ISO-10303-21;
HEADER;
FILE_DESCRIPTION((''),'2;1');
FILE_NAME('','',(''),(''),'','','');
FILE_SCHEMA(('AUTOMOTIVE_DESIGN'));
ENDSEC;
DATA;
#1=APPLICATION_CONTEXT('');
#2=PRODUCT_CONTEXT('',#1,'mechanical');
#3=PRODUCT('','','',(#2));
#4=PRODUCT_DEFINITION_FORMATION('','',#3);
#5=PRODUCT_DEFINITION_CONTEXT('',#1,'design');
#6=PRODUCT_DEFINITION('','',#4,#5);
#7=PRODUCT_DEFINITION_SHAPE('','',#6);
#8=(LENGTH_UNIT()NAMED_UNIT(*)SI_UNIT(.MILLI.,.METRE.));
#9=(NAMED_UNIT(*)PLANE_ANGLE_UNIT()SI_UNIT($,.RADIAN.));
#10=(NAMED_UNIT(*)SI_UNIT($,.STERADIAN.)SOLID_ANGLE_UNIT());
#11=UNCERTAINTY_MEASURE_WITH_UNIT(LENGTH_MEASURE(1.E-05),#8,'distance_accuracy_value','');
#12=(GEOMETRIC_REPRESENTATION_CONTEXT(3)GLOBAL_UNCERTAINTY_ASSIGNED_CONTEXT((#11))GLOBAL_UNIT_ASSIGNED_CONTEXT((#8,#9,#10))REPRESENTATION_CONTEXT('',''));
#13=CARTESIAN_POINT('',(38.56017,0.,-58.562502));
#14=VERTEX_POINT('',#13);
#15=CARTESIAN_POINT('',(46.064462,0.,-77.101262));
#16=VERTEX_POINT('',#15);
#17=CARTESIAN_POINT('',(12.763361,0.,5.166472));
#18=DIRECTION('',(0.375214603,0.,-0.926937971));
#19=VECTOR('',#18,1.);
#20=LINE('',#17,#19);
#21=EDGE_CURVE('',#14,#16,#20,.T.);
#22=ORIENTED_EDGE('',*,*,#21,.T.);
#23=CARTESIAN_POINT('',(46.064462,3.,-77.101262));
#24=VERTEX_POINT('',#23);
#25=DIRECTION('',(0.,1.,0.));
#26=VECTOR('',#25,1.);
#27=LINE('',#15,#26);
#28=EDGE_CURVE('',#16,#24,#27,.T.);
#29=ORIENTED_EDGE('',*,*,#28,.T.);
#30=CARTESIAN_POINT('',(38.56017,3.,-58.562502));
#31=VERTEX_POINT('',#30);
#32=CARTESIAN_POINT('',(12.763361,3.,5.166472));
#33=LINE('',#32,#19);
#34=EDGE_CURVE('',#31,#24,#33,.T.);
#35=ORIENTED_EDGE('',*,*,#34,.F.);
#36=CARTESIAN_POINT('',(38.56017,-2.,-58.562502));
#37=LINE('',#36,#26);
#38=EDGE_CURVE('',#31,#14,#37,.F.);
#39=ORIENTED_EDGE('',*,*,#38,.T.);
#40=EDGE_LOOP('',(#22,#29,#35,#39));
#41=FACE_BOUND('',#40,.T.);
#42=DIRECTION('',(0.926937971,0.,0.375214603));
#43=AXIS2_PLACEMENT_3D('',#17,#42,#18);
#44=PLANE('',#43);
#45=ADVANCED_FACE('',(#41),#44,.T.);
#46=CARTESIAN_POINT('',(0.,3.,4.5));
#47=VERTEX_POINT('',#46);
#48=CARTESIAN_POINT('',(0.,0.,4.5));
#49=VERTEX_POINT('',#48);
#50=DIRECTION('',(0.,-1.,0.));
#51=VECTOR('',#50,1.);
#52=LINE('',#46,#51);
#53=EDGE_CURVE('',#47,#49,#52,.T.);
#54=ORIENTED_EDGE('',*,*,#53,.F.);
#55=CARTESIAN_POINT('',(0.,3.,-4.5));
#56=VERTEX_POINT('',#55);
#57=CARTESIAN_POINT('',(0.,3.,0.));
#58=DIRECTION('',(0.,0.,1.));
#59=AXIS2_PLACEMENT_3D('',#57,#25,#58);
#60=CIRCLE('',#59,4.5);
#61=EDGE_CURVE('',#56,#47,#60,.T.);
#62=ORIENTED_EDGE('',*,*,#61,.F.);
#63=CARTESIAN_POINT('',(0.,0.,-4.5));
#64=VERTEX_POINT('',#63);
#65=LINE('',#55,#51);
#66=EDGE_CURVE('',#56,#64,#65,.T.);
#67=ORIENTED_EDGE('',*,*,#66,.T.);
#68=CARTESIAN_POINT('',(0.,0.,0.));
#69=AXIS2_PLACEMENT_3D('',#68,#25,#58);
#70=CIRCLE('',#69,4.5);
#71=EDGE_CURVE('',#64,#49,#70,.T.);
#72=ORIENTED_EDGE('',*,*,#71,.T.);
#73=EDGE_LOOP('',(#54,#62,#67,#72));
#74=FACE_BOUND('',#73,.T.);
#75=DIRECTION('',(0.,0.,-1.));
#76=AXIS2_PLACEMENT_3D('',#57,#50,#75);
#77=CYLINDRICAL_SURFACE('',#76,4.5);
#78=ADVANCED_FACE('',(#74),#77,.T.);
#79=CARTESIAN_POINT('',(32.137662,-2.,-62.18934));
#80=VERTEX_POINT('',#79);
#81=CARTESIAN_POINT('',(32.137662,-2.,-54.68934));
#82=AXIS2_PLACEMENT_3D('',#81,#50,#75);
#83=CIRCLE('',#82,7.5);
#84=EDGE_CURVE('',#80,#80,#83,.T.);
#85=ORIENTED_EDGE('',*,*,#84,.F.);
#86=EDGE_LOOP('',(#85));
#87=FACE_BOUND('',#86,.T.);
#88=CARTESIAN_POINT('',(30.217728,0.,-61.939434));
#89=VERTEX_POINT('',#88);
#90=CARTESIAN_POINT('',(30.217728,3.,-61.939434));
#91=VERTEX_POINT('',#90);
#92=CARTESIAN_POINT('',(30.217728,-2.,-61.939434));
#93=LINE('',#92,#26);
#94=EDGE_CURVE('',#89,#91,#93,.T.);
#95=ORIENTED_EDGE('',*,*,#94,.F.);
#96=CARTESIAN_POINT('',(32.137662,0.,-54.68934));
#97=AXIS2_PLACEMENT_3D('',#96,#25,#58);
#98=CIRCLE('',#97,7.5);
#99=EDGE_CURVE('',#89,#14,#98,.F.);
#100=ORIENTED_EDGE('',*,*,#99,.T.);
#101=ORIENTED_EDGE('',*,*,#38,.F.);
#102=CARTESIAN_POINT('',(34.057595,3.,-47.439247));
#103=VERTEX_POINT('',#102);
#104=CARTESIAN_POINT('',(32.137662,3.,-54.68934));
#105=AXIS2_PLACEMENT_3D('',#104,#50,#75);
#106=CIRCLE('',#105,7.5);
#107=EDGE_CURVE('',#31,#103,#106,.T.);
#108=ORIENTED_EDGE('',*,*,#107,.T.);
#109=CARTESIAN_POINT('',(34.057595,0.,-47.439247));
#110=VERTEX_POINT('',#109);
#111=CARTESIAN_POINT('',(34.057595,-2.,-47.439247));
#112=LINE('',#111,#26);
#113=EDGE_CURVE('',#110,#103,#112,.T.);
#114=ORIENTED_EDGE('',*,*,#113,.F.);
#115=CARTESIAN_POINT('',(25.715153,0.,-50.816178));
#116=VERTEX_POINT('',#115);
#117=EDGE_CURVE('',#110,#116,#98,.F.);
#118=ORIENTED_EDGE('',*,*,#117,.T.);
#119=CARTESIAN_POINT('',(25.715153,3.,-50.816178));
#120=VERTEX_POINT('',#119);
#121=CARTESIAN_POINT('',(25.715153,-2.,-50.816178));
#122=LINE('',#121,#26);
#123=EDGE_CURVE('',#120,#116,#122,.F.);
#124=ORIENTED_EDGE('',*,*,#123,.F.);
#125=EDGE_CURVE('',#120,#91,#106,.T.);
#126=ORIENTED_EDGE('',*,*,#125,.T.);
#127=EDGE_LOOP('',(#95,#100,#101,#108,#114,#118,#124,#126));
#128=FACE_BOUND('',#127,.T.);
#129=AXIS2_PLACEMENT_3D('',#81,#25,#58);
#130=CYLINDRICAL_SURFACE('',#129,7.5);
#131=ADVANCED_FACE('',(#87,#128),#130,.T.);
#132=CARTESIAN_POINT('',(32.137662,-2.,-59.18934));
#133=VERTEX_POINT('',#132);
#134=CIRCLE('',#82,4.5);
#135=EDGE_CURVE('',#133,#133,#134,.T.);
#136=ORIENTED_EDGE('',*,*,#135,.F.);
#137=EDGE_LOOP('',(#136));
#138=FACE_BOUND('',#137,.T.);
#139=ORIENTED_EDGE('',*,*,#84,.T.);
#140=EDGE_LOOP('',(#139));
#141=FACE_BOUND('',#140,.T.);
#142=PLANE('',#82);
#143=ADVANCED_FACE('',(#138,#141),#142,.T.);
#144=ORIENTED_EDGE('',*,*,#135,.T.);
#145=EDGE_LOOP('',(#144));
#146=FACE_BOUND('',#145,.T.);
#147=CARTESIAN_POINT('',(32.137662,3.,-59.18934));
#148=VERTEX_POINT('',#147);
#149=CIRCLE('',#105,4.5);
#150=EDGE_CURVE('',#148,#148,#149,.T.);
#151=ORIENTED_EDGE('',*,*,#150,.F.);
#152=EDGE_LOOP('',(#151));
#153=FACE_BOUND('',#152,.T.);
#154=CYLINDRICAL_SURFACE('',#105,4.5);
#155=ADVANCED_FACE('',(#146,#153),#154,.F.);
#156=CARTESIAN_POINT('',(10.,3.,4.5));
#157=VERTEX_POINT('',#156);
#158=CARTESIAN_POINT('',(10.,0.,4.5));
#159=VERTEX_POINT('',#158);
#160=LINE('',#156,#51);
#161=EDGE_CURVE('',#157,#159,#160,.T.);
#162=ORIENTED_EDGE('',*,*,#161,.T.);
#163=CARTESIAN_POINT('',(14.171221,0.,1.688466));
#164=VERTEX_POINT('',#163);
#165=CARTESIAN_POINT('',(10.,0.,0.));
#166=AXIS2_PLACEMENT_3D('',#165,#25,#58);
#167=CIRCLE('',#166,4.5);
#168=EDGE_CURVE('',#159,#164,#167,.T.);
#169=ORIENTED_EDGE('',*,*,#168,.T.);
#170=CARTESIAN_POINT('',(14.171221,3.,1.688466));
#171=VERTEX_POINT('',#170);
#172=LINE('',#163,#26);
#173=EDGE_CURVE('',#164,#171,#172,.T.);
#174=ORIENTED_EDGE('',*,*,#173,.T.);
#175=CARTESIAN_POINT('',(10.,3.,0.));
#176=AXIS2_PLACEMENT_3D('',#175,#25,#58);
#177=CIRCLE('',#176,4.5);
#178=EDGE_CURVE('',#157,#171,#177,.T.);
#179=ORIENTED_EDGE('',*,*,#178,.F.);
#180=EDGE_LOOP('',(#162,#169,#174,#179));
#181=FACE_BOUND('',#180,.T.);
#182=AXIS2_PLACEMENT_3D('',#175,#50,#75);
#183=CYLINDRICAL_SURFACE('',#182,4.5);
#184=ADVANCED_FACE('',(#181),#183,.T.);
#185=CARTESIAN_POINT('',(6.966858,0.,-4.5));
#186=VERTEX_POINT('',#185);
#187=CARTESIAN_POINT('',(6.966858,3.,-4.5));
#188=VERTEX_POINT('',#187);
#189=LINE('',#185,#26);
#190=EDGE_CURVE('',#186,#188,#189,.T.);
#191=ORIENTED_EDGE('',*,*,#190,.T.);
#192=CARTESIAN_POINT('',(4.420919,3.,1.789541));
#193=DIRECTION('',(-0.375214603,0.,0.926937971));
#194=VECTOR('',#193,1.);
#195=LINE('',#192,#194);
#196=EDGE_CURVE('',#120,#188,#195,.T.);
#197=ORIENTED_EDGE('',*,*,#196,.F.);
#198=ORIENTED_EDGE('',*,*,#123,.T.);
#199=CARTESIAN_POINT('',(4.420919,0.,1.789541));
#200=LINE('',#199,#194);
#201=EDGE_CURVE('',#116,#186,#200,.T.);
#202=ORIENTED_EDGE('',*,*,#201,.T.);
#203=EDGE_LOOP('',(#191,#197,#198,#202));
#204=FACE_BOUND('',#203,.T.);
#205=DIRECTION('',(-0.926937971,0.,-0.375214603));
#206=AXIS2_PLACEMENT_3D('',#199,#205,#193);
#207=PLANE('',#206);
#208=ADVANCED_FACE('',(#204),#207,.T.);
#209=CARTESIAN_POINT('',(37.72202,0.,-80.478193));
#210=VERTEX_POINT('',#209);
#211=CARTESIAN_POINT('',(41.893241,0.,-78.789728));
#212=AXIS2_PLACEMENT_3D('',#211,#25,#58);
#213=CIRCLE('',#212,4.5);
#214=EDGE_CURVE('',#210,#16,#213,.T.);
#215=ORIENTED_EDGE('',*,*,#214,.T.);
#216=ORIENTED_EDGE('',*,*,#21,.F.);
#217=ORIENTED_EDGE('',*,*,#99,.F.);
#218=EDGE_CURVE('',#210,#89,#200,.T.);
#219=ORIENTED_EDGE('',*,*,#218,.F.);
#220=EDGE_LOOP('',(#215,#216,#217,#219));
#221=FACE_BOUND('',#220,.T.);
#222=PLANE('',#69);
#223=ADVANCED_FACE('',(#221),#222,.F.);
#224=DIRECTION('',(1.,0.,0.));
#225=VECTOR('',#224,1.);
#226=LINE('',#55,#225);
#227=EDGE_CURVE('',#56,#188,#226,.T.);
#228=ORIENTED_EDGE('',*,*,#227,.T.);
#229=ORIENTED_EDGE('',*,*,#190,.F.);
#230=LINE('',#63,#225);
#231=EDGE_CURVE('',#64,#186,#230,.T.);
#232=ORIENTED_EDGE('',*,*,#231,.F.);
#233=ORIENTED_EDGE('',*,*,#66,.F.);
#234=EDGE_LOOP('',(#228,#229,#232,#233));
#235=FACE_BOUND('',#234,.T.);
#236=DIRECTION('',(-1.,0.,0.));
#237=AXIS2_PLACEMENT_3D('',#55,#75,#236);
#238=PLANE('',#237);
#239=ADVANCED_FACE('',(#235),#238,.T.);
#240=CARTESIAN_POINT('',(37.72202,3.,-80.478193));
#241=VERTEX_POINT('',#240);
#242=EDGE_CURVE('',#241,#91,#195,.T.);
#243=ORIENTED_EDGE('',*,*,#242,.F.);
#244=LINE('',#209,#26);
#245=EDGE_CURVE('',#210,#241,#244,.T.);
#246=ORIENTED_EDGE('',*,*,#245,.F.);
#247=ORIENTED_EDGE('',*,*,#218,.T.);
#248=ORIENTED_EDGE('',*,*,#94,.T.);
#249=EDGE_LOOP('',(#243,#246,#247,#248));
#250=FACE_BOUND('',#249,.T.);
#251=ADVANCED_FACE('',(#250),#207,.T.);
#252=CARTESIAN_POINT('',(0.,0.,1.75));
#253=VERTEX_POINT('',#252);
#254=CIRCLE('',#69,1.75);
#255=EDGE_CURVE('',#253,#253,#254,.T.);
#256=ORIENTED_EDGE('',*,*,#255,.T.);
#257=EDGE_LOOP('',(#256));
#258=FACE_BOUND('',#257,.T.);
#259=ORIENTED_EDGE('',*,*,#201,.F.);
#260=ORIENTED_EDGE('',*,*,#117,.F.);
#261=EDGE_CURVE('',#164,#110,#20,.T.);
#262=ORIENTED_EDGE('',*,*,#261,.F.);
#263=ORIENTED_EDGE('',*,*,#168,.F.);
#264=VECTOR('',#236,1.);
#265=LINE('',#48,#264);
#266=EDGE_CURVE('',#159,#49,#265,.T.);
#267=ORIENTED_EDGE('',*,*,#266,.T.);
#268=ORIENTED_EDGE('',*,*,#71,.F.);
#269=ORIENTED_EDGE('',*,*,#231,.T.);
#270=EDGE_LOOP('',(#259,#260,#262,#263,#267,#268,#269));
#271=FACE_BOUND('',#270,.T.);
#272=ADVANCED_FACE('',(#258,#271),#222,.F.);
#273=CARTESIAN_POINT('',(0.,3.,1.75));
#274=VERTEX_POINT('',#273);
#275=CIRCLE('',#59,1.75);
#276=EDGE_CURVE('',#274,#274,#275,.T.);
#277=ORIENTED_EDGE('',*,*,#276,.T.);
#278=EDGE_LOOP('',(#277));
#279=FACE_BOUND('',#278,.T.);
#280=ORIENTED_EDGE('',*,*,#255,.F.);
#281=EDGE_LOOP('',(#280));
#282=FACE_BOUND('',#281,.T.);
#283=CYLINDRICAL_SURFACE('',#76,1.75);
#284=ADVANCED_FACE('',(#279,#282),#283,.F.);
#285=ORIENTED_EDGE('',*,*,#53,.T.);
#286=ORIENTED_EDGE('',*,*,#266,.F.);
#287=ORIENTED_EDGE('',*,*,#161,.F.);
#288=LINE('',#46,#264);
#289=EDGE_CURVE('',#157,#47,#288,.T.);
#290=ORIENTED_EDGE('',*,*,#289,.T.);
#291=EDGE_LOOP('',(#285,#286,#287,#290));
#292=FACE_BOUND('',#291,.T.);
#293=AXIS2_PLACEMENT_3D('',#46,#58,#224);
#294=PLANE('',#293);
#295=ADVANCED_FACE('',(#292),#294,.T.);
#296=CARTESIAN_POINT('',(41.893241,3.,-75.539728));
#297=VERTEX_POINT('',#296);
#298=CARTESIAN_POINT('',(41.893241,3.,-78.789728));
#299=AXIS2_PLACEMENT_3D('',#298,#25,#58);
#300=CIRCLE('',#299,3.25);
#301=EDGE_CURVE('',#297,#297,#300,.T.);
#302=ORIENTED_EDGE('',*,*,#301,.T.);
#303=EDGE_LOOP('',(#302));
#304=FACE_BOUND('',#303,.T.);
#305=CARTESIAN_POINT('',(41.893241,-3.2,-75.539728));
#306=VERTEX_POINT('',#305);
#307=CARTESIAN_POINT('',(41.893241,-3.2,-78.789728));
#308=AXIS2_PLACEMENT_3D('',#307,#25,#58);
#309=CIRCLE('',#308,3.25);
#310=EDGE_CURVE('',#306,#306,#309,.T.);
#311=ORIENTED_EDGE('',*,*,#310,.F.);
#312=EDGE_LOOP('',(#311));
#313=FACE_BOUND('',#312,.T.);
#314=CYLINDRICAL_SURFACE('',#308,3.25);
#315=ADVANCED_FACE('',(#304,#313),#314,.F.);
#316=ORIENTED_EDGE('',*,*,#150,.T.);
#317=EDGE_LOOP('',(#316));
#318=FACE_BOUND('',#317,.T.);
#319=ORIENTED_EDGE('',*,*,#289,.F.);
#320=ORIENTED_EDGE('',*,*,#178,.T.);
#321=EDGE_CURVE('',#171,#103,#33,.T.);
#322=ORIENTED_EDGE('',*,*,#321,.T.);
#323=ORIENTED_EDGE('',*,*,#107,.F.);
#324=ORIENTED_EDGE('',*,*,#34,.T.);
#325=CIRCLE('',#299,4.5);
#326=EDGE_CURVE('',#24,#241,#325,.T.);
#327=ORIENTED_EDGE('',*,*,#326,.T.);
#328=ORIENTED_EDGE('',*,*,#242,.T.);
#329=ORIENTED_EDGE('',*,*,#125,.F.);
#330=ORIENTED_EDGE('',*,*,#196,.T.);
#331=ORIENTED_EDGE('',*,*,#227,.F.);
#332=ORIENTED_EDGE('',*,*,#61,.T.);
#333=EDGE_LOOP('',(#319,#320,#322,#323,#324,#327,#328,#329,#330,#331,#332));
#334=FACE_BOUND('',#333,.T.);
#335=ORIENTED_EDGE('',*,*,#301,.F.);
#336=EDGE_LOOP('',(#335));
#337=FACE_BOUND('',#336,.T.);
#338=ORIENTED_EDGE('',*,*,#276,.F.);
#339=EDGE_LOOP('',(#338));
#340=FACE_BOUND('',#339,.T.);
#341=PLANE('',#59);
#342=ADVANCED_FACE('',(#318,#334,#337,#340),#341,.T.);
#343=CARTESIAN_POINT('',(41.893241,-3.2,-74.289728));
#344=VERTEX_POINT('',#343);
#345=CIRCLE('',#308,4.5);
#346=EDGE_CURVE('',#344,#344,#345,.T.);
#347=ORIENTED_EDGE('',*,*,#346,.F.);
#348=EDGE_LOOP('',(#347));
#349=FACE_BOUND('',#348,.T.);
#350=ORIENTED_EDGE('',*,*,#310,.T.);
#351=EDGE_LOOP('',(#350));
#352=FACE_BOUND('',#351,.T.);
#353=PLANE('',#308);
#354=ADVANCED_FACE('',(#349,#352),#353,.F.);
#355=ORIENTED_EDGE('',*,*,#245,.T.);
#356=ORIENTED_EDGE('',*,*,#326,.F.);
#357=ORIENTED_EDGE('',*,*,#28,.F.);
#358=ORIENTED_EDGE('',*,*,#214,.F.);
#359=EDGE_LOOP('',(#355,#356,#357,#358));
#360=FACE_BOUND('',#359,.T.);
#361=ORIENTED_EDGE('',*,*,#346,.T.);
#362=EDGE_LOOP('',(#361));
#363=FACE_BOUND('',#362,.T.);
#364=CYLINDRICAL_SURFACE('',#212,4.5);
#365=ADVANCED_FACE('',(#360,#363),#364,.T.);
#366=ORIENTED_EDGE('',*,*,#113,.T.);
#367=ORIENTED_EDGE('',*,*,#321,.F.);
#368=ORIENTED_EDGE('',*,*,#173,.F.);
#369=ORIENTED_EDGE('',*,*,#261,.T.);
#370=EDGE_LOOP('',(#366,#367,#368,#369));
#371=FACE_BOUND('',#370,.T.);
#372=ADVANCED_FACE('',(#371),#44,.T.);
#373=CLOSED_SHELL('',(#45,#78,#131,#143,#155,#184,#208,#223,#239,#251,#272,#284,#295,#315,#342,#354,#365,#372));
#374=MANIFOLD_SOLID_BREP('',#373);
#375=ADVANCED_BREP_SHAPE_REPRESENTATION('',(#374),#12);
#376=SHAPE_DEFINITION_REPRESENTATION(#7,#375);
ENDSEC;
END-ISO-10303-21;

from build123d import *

# Parameters (mm, degrees)
SKETCH1_R                = 1.75
BOSS_EXTRUDE1_DEPTH      = 3
BOSS_EXTRUDE2_DEPTH      = 3
SKETCH3_R                = 4.5
SKETCH3_R_2              = 3.25
BOSS_EXTRUDE3_DEPTH      = 6.2
SKETCH4_R                = 3.25
CUT_EXTRUDE1_DEPTH       = 3
SKETCH5_R                = 7.5
BOSS_EXTRUDE4_DEPTH      = 2
BOSS_EXTRUDE4_DEPTH_BACK = 3
SKETCH6_R                = 4.5
CUT_EXTRUDE2_DEPTH       = 6


with BuildPart() as part:
    # Sketch1 → Boss-Extrude1 (new body)
    with BuildSketch(Plane(origin=(0, 0, 0), x_dir=(1, 0, 0), z_dir=(0, 1, 0))):
        with BuildLine():
            Line((0, -4.5), (10, -4.5))
            ThreePointArc((10, -4.5), (14.5, 0), (10, 4.5))
            Line((10, 4.5), (0, 4.5))
            ThreePointArc((0, 4.5), (-4.5, 0), (0, -4.5))
        make_face()
        Circle(SKETCH1_R, mode=Mode.SUBTRACT)
    extrude(amount=BOSS_EXTRUDE1_DEPTH)

    # Sketch2 → Boss-Extrude2 (add)
    with BuildSketch(Plane(origin=(0, 3, 0), x_dir=(1, 0, 0), z_dir=(0, 1, 0))):
        with BuildLine():
            Line((10, 0), (11.688465713, 4.171220869))
            ThreePointArc((11.688465713, 4.171220869), (10.860088975, 4.41704052), (10, 4.5))
            Line((10, 4.5), (6.96685822, 4.5))
            ThreePointArc((6.96685822, 4.5), (8.346615874, -1.181489024), (14.171220869, -1.688465713))
            Line((14.171220869, -1.688465713), (10, 0))
        make_face()
        with BuildLine():
            ThreePointArc((46.064462111, 77.10126181), (43.648814249, 74.646303405), (40.204775529, 74.618506654))
            Line((40.204775529, 74.618506654), (11.688465713, 4.171220869))
            ThreePointArc((11.688465713, 4.171220869), (14.143424118, 1.755573007), (14.171220869, -1.688465713))
            Line((14.171220869, -1.688465713), (46.064462111, 77.10126181))
        make_face()
        with BuildLine():
            ThreePointArc((14.171220869, -1.688465713), (14.143424118, 1.755573007), (11.688465713, 4.171220869))
            Line((11.688465713, 4.171220869), (10, 0))
            Line((10, 0), (14.171220869, -1.688465713))
        make_face()
        with BuildLine():
            Line((11.688465713, 4.171220869), (40.204775529, 74.618506654))
            ThreePointArc((40.204775529, 74.618506654), (37.749817124, 77.034154516), (37.722020373, 80.478193235))
            Line((37.722020373, 80.478193235), (6.96685822, 4.5))
            Line((6.96685822, 4.5), (10, 4.5))
            ThreePointArc((10, 4.5), (10.860088975, 4.41704052), (11.688465713, 4.171220869))
        make_face()
        with BuildLine():
            Line((37.722020373, 80.478193235), (41.893241242, 78.789727523))
            Line((41.893241242, 78.789727523), (46.064462111, 77.10126181))
            ThreePointArc((46.064462111, 77.10126181), (46.310281762, 77.929638548), (46.393241242, 78.789727523))
            ThreePointArc((46.393241242, 78.789727523), (42.753330217, 83.206768043), (37.722020373, 80.478193235))
        make_face()
        with BuildLine():
            Line((46.064462111, 77.10126181), (41.893241242, 78.789727523))
            Line((41.893241242, 78.789727523), (40.204775529, 74.618506654))
            ThreePointArc((40.204775529, 74.618506654), (43.648814249, 74.646303405), (46.064462111, 77.10126181))
        make_face()
        with BuildLine():
            Line((40.204775529, 74.618506654), (41.893241242, 78.789727523))
            Line((41.893241242, 78.789727523), (37.722020373, 80.478193235))
            ThreePointArc((37.722020373, 80.478193235), (37.749817124, 77.034154516), (40.204775529, 74.618506654))
        make_face()
    extrude(amount=-BOSS_EXTRUDE2_DEPTH)

    # Sketch3 → Boss-Extrude3 (add)
    with BuildSketch(Plane(origin=(0, 3, 0), x_dir=(1, 0, 0), z_dir=(0, 1, 0))):
        with Locations((41.893241242, 78.789727523)):
            Circle(SKETCH3_R)
        with Locations((41.893241242, 78.789727523)):
            Circle(SKETCH3_R_2, mode=Mode.SUBTRACT)
    extrude(amount=-BOSS_EXTRUDE3_DEPTH)

    # Sketch4 → Cut-Extrude1 (cut)
    with BuildSketch(Plane(origin=(0, 3, 0), x_dir=(1, 0, 0), z_dir=(0, 1, 0))):
        with Locations((41.893241242, 78.789727523)):
            Circle(SKETCH4_R)
    extrude(amount=-CUT_EXTRUDE1_DEPTH, mode=Mode.SUBTRACT)

    # Sketch5 → Boss-Extrude4 (add, two sides)
    with BuildSketch(Plane.XZ) as boss_extrude4_sk:
        with Locations((32.137661568, -54.68934028)):
            Circle(SKETCH5_R)
    extrude(amount=BOSS_EXTRUDE4_DEPTH)
    extrude(boss_extrude4_sk.sketch, amount=-BOSS_EXTRUDE4_DEPTH_BACK)

    # Sketch6 → Cut-Extrude2 (cut, through all)
    with BuildSketch(Plane.XZ.offset(2)):
        with Locations((32.137661568, -54.68934028)):
            Circle(SKETCH6_R)
    extrude(amount=-CUT_EXTRUDE2_DEPTH, mode=Mode.SUBTRACT)


solid = part.part
